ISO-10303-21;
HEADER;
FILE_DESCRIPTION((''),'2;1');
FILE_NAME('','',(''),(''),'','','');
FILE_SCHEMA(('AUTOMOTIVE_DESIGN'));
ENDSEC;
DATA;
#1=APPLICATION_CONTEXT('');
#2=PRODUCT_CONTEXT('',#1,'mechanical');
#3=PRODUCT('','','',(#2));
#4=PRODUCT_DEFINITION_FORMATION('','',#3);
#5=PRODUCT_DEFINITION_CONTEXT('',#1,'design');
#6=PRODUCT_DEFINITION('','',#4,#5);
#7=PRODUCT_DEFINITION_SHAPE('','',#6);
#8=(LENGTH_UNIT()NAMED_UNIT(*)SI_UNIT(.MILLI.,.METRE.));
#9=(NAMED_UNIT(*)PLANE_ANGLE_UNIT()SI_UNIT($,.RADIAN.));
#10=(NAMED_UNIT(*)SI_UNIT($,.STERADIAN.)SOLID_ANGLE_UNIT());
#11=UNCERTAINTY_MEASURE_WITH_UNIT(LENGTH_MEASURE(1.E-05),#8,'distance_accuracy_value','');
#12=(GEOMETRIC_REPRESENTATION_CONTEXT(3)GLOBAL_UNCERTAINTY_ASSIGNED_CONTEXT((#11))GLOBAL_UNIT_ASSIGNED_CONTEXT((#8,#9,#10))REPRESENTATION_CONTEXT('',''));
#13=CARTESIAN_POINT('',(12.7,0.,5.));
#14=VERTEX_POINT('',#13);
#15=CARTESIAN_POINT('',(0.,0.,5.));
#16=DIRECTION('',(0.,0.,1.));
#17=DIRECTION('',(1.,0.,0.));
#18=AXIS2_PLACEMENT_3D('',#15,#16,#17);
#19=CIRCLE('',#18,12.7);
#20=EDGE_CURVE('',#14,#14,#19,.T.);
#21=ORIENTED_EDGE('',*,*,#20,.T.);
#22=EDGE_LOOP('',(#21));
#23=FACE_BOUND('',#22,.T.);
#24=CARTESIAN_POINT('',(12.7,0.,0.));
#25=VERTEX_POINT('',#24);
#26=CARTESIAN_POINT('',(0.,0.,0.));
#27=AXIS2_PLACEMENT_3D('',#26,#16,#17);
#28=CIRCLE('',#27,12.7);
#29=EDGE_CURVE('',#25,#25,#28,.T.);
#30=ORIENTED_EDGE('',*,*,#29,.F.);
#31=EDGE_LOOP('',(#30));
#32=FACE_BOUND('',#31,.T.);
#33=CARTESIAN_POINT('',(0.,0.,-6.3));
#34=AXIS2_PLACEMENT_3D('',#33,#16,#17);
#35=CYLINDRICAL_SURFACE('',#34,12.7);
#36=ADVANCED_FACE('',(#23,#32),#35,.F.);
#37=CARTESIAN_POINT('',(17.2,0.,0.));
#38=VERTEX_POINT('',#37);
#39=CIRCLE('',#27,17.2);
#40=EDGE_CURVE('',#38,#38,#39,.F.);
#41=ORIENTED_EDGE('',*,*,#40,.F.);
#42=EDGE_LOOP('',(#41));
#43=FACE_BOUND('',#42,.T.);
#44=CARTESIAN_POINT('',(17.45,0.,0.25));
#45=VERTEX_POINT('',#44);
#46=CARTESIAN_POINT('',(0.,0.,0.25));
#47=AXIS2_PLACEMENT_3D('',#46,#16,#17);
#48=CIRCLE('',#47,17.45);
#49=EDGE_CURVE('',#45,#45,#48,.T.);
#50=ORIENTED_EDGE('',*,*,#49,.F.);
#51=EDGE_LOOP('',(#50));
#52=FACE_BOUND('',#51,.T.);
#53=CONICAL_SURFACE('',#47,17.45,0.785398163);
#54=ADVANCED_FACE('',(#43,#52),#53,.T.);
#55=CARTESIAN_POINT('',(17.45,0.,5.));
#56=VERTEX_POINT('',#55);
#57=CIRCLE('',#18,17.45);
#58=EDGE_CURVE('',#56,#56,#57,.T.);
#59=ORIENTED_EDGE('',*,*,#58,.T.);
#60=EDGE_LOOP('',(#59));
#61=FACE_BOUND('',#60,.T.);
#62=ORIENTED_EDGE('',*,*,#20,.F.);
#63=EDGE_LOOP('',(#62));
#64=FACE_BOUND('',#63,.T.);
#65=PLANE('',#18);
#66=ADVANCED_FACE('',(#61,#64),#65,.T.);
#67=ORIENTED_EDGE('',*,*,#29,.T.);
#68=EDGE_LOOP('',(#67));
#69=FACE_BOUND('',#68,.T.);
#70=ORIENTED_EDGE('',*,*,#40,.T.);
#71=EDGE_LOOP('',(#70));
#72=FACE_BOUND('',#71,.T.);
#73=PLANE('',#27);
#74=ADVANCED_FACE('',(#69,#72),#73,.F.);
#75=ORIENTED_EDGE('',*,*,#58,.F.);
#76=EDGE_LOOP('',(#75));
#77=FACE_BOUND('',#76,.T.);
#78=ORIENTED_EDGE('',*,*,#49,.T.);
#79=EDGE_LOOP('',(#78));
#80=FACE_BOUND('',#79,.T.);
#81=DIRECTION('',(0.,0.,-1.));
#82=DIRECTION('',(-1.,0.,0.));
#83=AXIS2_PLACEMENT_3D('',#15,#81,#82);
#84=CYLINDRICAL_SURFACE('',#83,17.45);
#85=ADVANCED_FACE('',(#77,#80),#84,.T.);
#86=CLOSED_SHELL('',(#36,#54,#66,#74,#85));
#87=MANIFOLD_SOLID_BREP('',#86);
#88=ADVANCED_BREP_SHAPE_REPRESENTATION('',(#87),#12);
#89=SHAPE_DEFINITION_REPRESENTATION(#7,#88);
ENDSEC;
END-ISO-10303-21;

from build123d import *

# Parameters (mm, degrees)
SKETCH1_R           = 17.45
BOSS_EXTRUDE1_DEPTH = 5
SKETCH2_R           = 12.65
BOSS_EXTRUDE2_DEPTH = 6.3
SKETCH3_R           = 12.7
CUT_EXTRUDE1_DEPTH  = 28.14212593
CHAMFER3_SIZE       = 0.25


with BuildPart() as part:
    # Sketch1 → Boss-Extrude1 (new body)
    with BuildSketch(Plane.XY):
        Circle(SKETCH1_R)
    extrude(amount=BOSS_EXTRUDE1_DEPTH)

    # Sketch2 → Boss-Extrude2 (add)
    with BuildSketch(Plane(origin=(0, 0, 0), x_dir=(-1, 0, 0), z_dir=(0, 0, -1))):
        with Locations(Location((0, 0, 0), (0, 0, 180))):
            Circle(SKETCH2_R)
    extrude(amount=BOSS_EXTRUDE2_DEPTH)

    # Sketch3 → Cut-Extrude1 (cut, through all)
    with BuildSketch(Plane.XY.offset(5)):
        Circle(SKETCH3_R)
    extrude(amount=-CUT_EXTRUDE1_DEPTH, mode=Mode.SUBTRACT)

    # Chamfer3
    chamfer3_edges = [part.edges().sort_by_distance(p)[0] for p in [
        (-17.45, 0, 0),
    ]]
    chamfer(chamfer3_edges, length=CHAMFER3_SIZE)


solid = part.part
